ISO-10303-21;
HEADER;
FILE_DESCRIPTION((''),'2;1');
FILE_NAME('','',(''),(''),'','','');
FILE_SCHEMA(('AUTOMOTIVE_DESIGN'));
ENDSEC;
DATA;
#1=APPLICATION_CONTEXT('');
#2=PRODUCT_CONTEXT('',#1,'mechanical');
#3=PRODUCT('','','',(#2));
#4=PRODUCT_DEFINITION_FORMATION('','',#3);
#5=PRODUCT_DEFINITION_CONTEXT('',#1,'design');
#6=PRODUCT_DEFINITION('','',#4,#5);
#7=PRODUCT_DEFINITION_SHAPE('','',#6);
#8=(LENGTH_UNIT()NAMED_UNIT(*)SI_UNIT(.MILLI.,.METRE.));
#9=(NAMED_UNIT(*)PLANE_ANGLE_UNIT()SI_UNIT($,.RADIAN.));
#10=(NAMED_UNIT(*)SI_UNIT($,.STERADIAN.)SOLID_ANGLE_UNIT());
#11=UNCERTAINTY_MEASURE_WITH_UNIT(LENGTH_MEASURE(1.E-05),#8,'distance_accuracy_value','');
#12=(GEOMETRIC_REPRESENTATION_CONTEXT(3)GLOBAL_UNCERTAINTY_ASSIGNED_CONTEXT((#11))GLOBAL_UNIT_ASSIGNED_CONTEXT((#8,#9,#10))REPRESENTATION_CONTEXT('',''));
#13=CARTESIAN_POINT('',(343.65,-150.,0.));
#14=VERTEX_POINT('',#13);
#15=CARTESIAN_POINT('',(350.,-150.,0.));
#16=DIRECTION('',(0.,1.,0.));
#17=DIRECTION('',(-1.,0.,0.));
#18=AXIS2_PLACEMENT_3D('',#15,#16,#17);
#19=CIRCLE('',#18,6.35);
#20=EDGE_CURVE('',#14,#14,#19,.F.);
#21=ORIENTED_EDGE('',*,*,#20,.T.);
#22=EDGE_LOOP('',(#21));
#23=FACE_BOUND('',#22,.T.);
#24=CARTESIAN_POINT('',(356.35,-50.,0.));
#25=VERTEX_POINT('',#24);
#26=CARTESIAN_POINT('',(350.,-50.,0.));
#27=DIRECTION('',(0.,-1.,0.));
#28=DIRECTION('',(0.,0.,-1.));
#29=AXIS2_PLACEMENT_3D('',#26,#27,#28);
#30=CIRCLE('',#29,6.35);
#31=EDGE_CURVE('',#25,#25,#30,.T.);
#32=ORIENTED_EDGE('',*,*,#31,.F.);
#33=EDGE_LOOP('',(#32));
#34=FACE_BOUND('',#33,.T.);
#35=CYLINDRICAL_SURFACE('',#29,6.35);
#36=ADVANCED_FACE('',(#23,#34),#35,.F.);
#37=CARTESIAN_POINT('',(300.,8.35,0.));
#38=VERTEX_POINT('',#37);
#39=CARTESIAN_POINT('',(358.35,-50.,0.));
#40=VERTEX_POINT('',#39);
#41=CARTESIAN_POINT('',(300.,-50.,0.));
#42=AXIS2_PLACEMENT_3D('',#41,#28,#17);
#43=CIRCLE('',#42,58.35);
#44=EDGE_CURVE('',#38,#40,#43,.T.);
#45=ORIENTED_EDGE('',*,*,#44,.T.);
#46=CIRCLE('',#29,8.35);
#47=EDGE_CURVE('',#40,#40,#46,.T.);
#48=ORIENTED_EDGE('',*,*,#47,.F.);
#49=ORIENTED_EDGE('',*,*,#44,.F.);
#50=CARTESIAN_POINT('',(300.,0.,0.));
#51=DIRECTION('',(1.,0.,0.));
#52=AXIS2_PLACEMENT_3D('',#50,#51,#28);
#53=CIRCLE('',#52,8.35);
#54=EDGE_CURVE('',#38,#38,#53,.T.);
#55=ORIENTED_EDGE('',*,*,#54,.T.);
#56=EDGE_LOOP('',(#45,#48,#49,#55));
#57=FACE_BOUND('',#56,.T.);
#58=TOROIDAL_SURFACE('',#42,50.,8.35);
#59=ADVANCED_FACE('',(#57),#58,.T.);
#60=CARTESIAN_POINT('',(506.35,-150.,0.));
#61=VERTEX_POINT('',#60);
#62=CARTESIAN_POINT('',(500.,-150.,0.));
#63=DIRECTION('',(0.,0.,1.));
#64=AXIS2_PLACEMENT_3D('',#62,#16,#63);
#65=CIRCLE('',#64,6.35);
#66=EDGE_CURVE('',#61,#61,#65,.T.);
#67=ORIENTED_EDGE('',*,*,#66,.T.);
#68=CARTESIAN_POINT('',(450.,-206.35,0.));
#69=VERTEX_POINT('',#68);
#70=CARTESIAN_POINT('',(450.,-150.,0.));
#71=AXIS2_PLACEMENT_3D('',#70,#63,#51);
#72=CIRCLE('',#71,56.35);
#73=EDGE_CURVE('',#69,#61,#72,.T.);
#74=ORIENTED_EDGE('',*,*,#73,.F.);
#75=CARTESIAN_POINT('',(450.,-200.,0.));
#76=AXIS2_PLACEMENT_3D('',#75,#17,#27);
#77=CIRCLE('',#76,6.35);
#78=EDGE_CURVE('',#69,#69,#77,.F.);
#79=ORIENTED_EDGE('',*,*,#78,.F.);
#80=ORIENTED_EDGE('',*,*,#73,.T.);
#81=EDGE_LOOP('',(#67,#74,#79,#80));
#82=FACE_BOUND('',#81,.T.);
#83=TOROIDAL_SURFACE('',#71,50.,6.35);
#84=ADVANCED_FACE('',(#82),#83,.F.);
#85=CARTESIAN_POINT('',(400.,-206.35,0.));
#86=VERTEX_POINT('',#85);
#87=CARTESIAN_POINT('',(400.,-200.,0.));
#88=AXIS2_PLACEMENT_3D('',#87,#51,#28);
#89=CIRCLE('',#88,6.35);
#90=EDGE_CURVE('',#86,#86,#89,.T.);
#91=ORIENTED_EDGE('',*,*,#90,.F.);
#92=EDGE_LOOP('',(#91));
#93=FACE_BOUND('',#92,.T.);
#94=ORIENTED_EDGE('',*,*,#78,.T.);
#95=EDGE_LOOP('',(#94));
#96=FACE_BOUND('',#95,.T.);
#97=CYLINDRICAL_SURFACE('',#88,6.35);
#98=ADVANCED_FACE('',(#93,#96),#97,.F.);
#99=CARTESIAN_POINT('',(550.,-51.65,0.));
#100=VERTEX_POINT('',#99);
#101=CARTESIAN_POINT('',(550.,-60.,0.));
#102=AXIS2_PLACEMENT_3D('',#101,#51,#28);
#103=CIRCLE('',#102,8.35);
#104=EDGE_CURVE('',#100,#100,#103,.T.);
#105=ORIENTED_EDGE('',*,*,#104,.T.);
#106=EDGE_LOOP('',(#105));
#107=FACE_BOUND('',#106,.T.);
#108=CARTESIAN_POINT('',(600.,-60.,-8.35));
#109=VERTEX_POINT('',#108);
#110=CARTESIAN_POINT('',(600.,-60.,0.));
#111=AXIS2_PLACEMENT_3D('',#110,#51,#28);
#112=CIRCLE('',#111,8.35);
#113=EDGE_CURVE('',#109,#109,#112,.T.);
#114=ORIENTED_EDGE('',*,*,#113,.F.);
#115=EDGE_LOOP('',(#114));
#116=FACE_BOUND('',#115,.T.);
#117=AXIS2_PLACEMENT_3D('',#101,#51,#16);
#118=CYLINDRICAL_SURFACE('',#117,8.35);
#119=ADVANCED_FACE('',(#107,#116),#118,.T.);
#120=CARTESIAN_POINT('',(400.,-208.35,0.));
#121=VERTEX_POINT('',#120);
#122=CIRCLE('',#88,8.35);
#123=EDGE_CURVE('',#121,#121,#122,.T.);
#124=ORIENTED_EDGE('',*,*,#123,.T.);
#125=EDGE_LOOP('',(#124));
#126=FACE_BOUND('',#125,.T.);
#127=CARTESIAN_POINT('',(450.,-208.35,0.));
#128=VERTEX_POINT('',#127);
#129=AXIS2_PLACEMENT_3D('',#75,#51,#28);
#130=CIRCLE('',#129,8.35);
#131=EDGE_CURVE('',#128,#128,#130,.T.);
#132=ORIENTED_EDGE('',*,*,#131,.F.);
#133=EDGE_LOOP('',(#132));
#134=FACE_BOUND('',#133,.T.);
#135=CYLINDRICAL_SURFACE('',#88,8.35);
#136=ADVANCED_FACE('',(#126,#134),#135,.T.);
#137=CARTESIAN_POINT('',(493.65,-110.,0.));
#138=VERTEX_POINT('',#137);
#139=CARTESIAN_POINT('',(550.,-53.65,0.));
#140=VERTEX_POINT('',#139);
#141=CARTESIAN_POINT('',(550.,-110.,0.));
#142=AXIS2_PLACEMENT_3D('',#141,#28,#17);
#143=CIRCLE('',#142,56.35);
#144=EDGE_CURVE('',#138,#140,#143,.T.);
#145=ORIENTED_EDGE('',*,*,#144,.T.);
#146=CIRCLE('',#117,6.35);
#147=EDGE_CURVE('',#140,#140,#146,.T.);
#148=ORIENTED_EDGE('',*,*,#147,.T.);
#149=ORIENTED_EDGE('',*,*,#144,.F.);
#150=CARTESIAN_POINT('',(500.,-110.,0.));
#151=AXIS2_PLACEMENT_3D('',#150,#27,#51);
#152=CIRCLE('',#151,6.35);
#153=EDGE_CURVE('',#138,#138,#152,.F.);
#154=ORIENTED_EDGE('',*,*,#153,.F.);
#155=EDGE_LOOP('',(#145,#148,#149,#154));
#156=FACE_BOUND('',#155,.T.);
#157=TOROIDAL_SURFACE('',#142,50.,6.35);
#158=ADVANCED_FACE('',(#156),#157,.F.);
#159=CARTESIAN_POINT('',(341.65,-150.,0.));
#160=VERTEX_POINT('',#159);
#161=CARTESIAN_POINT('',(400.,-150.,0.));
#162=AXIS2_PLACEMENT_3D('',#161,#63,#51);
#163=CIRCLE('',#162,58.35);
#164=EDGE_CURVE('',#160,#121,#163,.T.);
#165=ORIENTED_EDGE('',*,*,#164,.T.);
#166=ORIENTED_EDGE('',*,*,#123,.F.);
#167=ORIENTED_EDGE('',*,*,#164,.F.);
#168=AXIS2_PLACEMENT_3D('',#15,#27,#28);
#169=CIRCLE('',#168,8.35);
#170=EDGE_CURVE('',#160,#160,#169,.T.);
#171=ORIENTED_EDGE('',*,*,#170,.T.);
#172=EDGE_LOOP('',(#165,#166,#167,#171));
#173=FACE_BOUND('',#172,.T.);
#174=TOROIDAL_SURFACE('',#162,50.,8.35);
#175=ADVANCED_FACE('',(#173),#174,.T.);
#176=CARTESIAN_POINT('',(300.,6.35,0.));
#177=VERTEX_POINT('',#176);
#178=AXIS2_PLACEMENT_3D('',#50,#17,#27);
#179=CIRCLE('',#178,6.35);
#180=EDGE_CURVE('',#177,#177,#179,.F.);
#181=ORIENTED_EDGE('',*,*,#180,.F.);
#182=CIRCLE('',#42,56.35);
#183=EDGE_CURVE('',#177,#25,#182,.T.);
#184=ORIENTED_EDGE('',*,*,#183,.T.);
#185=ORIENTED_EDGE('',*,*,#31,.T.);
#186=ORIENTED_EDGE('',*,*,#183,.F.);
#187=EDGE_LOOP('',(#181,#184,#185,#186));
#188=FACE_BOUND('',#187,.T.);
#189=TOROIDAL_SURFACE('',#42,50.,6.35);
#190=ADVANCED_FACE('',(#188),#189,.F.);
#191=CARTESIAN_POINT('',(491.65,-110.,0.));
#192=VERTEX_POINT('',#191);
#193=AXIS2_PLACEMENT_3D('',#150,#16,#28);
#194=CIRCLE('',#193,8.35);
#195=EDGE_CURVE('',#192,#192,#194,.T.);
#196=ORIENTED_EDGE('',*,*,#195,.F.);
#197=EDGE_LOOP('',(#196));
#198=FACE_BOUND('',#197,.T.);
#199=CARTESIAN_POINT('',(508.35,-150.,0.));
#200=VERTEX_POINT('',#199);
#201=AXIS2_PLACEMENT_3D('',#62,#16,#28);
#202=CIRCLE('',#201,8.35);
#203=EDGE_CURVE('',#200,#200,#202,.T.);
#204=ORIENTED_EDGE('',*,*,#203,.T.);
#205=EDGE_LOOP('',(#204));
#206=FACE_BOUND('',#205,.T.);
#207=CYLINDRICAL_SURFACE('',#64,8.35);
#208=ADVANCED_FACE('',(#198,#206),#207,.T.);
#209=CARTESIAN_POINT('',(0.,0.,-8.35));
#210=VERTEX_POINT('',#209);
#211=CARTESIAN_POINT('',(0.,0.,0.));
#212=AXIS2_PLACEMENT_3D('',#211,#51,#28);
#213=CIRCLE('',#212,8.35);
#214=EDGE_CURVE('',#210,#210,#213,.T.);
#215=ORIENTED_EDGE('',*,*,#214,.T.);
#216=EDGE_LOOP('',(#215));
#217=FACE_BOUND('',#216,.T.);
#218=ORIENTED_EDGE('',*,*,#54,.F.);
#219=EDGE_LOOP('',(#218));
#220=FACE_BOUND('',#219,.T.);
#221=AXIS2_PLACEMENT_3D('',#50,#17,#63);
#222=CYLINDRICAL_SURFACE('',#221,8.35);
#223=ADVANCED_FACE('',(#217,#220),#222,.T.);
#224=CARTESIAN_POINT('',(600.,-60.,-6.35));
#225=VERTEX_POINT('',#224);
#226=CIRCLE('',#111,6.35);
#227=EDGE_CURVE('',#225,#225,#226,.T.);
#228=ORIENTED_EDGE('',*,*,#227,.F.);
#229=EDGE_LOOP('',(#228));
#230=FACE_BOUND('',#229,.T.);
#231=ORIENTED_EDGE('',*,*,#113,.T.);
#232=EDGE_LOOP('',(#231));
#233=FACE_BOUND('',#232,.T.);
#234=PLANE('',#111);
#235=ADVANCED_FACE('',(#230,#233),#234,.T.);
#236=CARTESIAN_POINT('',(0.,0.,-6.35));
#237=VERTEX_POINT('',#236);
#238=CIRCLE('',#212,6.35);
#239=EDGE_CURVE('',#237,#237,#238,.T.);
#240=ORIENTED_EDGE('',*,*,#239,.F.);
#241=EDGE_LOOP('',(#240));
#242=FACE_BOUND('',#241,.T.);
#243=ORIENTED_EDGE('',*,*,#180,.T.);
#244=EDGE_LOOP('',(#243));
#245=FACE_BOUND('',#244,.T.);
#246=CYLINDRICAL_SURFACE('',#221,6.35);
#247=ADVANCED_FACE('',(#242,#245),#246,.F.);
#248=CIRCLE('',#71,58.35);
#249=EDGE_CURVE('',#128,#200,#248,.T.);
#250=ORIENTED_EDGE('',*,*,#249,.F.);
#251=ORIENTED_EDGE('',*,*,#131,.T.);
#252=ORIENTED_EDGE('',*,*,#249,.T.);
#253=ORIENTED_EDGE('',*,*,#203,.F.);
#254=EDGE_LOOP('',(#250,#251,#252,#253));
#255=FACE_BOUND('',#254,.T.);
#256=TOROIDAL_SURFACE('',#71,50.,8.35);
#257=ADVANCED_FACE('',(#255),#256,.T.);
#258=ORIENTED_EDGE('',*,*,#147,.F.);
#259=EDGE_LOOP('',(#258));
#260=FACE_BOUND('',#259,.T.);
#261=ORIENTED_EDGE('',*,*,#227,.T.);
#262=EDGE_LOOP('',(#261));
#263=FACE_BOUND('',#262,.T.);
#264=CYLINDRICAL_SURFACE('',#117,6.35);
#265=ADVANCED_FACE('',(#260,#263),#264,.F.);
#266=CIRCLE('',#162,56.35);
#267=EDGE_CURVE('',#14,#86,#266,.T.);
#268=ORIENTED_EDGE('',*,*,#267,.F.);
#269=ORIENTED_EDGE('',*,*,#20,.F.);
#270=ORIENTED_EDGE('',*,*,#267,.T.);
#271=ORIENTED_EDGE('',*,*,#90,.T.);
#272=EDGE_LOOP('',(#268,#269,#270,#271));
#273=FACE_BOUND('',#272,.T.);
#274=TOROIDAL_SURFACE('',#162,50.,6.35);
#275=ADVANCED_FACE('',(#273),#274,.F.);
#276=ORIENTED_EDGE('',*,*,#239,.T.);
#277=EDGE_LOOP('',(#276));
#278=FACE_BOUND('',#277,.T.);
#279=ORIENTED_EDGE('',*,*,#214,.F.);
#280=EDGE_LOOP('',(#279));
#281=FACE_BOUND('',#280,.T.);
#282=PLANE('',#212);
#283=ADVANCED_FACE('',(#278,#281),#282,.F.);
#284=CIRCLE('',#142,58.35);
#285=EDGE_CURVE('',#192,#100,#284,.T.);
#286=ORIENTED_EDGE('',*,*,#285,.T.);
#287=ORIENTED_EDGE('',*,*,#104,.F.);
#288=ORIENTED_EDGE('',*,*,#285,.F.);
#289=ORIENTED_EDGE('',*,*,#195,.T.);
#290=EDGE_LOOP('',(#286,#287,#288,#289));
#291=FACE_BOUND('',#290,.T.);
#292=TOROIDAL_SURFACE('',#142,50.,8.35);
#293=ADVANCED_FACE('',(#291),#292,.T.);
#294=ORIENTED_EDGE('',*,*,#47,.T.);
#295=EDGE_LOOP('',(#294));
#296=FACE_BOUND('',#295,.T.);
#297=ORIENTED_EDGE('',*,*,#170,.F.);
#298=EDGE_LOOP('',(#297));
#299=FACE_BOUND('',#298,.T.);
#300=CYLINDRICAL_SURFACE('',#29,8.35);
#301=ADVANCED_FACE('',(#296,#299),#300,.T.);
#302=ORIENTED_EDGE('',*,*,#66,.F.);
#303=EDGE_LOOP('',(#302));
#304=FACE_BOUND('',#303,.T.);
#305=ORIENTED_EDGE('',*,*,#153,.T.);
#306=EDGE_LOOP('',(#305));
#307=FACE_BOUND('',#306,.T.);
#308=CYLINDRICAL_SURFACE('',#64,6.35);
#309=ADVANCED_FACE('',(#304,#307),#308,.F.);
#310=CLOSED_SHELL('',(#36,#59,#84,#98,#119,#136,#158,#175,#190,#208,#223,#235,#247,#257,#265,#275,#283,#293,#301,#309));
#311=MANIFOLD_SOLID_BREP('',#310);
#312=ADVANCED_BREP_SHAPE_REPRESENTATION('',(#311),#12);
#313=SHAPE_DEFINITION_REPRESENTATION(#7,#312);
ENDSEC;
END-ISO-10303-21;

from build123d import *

# Parameters (mm, degrees)
CROQUIS2_R = 8.35
VACIADO1_T = -2


with BuildPart() as part:
    # Barrer1: sweep along a path in Croquis1
    with BuildLine(Plane.XY) as barrer1_path:
        Line((0, 0), (300, 0))
        ThreePointArc((300, 0), (335.355339059, -14.644660941), (350, -50))
        Line((350, -50), (350, -150))
        ThreePointArc((350, -150), (364.644660941, -185.355339059), (400, -200))
        Line((400, -200), (450, -200))
        ThreePointArc((450, -200), (485.355339059, -185.355339059), (500, -150))
        Line((500, -150), (500, -110))
        ThreePointArc((500, -110), (514.644660941, -74.644660941), (550, -60))
        Line((550, -60), (600, -60))
    # Croquis2 → Barrer1 (sweep)
    with BuildSketch(Plane(origin=(0, 0, 0), x_dir=(0, 0, -1), z_dir=(1, 0, 0))):
        Circle(CROQUIS2_R)
    sweep(path=barrer1_path.line)

    # Vaciado1
    vaciado1_openings = [part.faces().sort_by_distance(p)[0] for p in [
        (600, -60, 0),
        (0, 0, 0),
    ]]
    offset(amount=VACIADO1_T, openings=vaciado1_openings, kind=Kind.INTERSECTION)


solid = part.part
